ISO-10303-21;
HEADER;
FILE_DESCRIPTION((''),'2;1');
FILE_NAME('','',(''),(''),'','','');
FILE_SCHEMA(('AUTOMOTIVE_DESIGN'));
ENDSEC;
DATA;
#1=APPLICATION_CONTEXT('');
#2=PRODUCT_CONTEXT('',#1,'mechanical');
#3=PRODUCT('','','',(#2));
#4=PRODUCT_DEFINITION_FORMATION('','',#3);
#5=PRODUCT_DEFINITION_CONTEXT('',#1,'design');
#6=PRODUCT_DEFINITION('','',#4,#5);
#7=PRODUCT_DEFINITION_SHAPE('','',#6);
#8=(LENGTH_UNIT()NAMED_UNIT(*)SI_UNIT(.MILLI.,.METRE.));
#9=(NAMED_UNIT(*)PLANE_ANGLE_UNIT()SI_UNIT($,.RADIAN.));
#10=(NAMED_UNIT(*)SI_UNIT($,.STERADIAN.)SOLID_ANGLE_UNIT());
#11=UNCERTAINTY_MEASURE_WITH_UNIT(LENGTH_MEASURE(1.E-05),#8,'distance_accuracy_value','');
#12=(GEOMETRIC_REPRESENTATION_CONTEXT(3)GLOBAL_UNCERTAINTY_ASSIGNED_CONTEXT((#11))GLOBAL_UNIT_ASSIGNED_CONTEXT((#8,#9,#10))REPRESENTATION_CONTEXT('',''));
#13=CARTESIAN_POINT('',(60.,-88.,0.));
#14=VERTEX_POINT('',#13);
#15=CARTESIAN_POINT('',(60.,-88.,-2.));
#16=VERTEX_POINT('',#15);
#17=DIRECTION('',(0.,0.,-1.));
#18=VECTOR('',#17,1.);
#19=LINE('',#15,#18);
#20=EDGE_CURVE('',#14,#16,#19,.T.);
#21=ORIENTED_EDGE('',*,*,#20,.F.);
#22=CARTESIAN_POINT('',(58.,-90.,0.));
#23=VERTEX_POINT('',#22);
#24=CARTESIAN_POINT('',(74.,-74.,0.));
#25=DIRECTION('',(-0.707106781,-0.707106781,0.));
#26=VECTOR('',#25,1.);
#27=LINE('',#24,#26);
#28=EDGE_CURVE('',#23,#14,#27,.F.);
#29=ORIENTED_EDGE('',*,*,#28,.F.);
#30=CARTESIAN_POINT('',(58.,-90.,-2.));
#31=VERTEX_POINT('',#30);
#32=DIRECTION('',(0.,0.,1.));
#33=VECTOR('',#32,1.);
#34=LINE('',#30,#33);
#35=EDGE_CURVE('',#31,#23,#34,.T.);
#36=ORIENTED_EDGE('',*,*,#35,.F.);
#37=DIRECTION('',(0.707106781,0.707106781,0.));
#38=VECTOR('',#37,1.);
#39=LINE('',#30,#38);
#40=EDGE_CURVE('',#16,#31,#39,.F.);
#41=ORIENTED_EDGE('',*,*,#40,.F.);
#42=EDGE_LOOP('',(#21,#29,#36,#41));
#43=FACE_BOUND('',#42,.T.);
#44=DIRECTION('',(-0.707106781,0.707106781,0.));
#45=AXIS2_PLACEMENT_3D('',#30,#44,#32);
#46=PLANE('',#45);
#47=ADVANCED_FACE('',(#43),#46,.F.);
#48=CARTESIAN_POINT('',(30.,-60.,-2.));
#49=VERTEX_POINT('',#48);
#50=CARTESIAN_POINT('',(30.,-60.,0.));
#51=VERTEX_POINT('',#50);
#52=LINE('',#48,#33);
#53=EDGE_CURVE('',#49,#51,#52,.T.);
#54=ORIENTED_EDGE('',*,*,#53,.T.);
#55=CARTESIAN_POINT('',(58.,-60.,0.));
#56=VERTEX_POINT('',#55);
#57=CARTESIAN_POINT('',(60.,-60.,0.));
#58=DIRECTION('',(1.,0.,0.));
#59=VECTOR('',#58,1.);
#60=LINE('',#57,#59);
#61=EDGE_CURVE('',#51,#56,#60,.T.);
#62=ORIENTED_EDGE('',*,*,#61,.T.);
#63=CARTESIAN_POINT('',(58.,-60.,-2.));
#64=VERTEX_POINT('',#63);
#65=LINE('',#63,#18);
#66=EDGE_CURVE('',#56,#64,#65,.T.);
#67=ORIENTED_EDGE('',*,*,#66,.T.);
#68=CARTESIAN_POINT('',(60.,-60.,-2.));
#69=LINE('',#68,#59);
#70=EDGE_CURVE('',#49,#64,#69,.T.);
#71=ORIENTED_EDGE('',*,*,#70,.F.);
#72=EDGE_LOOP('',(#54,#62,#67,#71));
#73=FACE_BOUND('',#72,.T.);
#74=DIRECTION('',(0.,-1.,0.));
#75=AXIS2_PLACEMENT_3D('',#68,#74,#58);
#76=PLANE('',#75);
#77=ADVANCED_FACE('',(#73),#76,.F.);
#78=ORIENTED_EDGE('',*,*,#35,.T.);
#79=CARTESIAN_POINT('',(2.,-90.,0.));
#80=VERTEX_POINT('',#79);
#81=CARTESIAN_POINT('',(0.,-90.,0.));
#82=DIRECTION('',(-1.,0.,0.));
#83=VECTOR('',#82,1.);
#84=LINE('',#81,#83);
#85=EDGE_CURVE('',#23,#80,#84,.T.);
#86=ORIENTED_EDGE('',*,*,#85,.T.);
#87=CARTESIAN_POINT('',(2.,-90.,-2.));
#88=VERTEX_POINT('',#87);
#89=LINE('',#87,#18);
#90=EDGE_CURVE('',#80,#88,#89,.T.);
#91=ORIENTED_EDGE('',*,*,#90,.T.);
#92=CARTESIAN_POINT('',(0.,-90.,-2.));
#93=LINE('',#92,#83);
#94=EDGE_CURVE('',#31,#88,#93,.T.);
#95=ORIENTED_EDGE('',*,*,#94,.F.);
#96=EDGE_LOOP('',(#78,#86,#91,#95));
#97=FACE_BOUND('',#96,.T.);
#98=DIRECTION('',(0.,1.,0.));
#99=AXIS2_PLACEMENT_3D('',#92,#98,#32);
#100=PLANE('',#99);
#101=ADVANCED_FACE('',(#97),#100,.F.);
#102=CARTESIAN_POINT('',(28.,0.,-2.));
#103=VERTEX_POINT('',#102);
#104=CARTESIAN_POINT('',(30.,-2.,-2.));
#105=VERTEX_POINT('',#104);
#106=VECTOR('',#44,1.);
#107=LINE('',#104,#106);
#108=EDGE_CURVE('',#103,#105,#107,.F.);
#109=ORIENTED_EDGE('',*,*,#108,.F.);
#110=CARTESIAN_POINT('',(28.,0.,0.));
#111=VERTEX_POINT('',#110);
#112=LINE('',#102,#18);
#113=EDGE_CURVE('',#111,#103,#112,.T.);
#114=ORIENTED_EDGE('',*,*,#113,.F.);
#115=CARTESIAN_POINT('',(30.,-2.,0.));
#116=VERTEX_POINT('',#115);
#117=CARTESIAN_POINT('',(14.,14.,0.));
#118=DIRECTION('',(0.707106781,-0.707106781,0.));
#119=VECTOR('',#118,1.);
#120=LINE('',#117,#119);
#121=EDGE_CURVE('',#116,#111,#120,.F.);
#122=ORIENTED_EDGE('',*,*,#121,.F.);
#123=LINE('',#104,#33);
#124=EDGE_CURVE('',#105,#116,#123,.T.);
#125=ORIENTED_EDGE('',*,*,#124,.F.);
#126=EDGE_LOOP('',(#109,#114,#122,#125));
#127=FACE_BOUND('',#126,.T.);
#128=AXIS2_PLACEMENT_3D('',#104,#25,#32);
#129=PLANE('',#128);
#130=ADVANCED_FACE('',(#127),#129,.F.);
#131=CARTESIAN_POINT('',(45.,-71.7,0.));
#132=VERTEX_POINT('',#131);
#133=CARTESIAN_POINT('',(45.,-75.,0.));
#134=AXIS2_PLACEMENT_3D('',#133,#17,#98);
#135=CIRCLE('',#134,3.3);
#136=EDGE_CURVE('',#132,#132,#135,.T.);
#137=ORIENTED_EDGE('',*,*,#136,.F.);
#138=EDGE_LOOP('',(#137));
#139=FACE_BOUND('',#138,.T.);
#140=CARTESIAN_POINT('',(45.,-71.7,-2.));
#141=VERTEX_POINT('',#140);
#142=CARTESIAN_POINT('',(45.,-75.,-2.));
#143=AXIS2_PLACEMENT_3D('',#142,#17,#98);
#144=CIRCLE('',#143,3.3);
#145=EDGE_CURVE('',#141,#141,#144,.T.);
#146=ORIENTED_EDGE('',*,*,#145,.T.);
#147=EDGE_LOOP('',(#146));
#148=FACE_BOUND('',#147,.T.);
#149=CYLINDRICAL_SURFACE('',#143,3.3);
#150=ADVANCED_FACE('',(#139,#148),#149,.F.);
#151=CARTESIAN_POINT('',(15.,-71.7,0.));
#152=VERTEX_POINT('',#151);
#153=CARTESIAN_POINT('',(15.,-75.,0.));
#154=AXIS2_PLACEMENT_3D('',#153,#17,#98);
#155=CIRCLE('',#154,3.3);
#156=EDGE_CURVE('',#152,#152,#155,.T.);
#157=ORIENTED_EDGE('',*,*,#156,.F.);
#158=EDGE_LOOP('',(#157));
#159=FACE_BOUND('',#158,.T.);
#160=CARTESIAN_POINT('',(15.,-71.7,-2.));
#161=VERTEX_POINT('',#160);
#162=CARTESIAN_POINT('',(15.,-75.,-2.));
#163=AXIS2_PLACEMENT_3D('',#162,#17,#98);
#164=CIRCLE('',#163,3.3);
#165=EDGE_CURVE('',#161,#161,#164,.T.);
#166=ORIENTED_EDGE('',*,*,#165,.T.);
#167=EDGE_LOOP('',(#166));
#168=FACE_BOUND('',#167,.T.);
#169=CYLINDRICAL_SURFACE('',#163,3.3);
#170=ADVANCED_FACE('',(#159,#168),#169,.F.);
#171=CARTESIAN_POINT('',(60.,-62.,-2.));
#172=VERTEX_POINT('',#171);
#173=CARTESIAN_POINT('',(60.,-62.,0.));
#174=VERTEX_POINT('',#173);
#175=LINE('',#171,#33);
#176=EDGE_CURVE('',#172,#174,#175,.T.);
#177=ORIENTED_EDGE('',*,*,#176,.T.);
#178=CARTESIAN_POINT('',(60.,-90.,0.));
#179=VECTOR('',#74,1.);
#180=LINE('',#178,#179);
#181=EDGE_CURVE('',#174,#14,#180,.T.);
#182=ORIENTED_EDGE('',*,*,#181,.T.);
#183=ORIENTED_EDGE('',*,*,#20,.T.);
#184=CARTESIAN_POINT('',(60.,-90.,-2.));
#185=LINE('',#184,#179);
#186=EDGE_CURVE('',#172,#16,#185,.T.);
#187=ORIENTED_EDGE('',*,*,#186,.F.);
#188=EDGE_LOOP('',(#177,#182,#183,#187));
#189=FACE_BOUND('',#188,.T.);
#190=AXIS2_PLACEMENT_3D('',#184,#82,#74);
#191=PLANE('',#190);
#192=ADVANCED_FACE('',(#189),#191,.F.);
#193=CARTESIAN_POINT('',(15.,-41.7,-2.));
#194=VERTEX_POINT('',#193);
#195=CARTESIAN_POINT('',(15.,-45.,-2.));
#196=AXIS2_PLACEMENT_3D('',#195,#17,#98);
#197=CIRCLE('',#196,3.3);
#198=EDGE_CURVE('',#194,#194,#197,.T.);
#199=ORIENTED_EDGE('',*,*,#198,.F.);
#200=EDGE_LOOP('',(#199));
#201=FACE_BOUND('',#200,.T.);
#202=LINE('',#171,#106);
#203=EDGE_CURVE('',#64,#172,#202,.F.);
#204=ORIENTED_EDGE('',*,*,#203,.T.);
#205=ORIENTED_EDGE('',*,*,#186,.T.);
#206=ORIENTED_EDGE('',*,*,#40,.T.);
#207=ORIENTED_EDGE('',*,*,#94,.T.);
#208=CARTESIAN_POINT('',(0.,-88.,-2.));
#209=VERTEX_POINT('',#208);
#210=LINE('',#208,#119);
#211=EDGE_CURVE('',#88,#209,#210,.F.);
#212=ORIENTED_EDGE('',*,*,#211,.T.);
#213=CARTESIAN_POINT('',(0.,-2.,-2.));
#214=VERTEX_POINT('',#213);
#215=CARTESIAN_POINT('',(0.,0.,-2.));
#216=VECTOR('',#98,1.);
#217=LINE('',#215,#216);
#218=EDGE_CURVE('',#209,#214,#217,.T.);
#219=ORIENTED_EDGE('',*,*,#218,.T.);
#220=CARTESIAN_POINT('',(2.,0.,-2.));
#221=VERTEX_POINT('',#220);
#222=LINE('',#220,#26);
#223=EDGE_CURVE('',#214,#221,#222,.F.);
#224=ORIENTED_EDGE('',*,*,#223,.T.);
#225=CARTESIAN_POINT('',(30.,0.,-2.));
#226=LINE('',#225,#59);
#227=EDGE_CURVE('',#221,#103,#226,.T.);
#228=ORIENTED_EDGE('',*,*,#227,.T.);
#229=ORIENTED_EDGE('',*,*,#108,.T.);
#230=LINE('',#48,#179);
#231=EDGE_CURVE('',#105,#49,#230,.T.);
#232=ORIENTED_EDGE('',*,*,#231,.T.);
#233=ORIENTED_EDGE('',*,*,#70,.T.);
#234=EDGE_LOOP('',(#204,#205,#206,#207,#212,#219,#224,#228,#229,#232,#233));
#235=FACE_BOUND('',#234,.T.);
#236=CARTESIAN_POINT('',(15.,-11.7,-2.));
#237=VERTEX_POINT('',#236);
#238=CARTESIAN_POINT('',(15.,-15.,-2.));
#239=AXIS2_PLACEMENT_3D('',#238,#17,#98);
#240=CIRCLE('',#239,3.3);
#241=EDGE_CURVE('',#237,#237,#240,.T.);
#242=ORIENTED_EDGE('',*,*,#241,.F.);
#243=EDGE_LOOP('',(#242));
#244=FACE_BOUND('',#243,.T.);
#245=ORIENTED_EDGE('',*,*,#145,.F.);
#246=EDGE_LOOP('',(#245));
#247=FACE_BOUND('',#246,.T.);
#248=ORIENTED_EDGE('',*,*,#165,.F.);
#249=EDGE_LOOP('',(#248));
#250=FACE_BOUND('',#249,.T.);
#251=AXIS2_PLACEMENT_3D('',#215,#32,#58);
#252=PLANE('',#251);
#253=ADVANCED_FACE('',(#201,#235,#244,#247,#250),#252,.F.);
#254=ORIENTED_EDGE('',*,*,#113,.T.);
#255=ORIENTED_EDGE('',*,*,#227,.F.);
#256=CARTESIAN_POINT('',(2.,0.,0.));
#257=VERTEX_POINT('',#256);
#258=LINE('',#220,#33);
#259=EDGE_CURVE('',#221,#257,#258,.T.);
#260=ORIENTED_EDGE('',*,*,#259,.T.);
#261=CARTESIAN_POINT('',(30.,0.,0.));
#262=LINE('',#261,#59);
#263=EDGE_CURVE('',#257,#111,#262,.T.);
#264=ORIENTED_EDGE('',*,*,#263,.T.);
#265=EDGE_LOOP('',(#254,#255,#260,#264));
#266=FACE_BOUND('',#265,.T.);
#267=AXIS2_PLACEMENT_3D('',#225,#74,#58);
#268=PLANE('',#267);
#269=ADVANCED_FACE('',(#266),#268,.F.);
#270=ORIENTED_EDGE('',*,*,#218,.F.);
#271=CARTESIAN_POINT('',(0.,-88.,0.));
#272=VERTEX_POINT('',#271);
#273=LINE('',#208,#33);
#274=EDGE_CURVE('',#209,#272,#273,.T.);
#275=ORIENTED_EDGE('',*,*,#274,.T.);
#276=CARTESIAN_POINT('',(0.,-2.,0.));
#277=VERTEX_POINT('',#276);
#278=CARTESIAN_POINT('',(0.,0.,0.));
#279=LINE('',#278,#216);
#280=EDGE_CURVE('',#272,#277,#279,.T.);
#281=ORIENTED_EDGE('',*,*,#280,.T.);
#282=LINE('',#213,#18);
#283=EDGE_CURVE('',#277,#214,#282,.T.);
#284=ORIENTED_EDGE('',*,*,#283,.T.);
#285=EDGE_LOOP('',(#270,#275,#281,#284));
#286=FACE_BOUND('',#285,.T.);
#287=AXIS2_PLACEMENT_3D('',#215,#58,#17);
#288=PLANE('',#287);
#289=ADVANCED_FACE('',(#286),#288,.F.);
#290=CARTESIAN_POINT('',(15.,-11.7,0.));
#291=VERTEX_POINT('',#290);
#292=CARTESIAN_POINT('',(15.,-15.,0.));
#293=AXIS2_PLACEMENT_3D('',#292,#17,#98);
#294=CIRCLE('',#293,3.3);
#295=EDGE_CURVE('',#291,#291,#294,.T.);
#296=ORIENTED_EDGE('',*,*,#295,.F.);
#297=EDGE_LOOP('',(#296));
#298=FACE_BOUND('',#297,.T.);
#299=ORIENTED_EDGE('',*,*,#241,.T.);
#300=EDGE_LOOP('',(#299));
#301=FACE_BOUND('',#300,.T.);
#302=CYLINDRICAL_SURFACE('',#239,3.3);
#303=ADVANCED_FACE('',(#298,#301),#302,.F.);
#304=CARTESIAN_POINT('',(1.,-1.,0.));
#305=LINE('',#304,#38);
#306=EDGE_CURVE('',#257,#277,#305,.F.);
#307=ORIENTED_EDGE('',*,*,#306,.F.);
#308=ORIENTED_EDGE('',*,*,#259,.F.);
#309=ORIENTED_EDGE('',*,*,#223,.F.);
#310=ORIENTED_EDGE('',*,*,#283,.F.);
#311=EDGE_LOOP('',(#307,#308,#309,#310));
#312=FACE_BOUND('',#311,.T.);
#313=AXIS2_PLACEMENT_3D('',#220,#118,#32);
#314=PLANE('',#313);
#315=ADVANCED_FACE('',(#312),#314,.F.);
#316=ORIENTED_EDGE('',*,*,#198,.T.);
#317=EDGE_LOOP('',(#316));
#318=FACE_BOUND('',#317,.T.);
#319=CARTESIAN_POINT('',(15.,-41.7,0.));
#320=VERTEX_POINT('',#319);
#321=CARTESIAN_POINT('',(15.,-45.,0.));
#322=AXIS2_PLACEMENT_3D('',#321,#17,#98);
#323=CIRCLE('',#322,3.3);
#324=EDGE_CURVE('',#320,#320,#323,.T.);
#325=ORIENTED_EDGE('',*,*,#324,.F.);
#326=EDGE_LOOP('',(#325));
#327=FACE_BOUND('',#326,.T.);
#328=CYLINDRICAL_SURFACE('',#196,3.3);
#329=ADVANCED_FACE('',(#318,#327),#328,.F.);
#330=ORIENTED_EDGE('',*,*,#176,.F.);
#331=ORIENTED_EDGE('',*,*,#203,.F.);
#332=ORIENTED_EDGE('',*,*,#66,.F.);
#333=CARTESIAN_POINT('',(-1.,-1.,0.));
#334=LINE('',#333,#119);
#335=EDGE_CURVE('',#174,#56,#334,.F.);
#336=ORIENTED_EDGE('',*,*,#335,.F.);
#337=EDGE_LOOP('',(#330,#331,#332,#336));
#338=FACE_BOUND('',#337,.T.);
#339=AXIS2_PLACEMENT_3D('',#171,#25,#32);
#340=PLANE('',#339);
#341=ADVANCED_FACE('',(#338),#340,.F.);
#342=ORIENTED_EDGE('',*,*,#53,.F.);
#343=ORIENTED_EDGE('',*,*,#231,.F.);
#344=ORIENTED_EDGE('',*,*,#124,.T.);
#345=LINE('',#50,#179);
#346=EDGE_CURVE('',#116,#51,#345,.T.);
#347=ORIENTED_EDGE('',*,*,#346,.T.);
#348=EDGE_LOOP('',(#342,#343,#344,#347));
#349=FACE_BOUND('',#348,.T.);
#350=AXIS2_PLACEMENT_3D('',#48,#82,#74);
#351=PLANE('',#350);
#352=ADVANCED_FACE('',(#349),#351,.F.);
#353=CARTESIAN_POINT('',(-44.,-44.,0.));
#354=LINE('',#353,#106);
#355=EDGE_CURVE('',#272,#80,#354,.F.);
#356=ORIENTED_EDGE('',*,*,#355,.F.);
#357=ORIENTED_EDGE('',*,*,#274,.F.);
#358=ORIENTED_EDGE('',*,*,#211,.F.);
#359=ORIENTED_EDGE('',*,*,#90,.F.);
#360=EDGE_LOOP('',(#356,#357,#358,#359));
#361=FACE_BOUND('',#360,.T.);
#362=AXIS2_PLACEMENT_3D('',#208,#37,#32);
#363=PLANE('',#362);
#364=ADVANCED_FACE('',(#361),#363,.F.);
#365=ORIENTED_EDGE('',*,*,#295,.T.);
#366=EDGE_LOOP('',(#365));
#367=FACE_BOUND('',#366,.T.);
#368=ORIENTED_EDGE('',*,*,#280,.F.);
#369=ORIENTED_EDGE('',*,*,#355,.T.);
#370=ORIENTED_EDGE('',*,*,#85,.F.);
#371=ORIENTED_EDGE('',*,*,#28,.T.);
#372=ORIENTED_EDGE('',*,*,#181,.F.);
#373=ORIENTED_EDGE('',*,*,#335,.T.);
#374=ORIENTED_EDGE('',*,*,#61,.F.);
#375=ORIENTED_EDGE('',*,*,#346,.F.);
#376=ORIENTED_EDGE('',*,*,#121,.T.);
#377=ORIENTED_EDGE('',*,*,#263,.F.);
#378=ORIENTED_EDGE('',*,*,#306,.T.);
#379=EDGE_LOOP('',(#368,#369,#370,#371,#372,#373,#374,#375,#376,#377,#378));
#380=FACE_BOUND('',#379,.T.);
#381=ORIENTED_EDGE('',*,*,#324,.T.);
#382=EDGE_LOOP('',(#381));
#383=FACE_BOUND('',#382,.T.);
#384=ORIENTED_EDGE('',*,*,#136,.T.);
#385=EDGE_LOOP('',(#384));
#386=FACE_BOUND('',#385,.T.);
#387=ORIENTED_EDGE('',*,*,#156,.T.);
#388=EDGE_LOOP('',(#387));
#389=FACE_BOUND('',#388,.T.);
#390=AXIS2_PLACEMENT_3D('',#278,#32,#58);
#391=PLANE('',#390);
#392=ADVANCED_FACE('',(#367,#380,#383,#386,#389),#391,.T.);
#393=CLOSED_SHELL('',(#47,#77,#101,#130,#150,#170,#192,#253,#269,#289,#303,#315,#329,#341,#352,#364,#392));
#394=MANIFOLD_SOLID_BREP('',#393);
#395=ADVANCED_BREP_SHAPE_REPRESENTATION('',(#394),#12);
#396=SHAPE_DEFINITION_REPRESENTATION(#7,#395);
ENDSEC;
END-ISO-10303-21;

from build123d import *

# Parameters (mm, degrees)
EXTRUDE_1_DEPTH   = 2
HOLE_WIZARD_M61_D = 6.6
CHAMFER_1_SIZE    = 2


with BuildPart() as part:
    # Эскиз1 → Бобышка-Вытянуть1 (new body)
    with BuildSketch(Plane(origin=(0, 0, 0), x_dir=(1, 0, 0), z_dir=(0, 0, -1))):
        Polygon((0, 0), (0, 90), (60, 90), (60, 60), (30, 60), (30, 0), align=None)
    extrude(amount=EXTRUDE_1_DEPTH)

    # Отверстие с зазором M61 (through all)
    with Locations(Plane(origin=(0, 0, -2), x_dir=(1, 0, 0), z_dir=(0, 0, -1))):
        with Locations((45, 75), (15, 75), (15, 45), (15, 15)):
            Hole(HOLE_WIZARD_M61_D / 2)

    # Фаска1
    chamfer_1_edges = [part.edges().sort_by_distance(p)[0] for p in [
        (0, 0, -1),
        (0, -90, -1),
        (60, -90, -1),
        (60, -60, -1),
        (30, 0, -1),
    ]]
    chamfer(chamfer_1_edges, length=CHAMFER_1_SIZE)


solid = part.part
